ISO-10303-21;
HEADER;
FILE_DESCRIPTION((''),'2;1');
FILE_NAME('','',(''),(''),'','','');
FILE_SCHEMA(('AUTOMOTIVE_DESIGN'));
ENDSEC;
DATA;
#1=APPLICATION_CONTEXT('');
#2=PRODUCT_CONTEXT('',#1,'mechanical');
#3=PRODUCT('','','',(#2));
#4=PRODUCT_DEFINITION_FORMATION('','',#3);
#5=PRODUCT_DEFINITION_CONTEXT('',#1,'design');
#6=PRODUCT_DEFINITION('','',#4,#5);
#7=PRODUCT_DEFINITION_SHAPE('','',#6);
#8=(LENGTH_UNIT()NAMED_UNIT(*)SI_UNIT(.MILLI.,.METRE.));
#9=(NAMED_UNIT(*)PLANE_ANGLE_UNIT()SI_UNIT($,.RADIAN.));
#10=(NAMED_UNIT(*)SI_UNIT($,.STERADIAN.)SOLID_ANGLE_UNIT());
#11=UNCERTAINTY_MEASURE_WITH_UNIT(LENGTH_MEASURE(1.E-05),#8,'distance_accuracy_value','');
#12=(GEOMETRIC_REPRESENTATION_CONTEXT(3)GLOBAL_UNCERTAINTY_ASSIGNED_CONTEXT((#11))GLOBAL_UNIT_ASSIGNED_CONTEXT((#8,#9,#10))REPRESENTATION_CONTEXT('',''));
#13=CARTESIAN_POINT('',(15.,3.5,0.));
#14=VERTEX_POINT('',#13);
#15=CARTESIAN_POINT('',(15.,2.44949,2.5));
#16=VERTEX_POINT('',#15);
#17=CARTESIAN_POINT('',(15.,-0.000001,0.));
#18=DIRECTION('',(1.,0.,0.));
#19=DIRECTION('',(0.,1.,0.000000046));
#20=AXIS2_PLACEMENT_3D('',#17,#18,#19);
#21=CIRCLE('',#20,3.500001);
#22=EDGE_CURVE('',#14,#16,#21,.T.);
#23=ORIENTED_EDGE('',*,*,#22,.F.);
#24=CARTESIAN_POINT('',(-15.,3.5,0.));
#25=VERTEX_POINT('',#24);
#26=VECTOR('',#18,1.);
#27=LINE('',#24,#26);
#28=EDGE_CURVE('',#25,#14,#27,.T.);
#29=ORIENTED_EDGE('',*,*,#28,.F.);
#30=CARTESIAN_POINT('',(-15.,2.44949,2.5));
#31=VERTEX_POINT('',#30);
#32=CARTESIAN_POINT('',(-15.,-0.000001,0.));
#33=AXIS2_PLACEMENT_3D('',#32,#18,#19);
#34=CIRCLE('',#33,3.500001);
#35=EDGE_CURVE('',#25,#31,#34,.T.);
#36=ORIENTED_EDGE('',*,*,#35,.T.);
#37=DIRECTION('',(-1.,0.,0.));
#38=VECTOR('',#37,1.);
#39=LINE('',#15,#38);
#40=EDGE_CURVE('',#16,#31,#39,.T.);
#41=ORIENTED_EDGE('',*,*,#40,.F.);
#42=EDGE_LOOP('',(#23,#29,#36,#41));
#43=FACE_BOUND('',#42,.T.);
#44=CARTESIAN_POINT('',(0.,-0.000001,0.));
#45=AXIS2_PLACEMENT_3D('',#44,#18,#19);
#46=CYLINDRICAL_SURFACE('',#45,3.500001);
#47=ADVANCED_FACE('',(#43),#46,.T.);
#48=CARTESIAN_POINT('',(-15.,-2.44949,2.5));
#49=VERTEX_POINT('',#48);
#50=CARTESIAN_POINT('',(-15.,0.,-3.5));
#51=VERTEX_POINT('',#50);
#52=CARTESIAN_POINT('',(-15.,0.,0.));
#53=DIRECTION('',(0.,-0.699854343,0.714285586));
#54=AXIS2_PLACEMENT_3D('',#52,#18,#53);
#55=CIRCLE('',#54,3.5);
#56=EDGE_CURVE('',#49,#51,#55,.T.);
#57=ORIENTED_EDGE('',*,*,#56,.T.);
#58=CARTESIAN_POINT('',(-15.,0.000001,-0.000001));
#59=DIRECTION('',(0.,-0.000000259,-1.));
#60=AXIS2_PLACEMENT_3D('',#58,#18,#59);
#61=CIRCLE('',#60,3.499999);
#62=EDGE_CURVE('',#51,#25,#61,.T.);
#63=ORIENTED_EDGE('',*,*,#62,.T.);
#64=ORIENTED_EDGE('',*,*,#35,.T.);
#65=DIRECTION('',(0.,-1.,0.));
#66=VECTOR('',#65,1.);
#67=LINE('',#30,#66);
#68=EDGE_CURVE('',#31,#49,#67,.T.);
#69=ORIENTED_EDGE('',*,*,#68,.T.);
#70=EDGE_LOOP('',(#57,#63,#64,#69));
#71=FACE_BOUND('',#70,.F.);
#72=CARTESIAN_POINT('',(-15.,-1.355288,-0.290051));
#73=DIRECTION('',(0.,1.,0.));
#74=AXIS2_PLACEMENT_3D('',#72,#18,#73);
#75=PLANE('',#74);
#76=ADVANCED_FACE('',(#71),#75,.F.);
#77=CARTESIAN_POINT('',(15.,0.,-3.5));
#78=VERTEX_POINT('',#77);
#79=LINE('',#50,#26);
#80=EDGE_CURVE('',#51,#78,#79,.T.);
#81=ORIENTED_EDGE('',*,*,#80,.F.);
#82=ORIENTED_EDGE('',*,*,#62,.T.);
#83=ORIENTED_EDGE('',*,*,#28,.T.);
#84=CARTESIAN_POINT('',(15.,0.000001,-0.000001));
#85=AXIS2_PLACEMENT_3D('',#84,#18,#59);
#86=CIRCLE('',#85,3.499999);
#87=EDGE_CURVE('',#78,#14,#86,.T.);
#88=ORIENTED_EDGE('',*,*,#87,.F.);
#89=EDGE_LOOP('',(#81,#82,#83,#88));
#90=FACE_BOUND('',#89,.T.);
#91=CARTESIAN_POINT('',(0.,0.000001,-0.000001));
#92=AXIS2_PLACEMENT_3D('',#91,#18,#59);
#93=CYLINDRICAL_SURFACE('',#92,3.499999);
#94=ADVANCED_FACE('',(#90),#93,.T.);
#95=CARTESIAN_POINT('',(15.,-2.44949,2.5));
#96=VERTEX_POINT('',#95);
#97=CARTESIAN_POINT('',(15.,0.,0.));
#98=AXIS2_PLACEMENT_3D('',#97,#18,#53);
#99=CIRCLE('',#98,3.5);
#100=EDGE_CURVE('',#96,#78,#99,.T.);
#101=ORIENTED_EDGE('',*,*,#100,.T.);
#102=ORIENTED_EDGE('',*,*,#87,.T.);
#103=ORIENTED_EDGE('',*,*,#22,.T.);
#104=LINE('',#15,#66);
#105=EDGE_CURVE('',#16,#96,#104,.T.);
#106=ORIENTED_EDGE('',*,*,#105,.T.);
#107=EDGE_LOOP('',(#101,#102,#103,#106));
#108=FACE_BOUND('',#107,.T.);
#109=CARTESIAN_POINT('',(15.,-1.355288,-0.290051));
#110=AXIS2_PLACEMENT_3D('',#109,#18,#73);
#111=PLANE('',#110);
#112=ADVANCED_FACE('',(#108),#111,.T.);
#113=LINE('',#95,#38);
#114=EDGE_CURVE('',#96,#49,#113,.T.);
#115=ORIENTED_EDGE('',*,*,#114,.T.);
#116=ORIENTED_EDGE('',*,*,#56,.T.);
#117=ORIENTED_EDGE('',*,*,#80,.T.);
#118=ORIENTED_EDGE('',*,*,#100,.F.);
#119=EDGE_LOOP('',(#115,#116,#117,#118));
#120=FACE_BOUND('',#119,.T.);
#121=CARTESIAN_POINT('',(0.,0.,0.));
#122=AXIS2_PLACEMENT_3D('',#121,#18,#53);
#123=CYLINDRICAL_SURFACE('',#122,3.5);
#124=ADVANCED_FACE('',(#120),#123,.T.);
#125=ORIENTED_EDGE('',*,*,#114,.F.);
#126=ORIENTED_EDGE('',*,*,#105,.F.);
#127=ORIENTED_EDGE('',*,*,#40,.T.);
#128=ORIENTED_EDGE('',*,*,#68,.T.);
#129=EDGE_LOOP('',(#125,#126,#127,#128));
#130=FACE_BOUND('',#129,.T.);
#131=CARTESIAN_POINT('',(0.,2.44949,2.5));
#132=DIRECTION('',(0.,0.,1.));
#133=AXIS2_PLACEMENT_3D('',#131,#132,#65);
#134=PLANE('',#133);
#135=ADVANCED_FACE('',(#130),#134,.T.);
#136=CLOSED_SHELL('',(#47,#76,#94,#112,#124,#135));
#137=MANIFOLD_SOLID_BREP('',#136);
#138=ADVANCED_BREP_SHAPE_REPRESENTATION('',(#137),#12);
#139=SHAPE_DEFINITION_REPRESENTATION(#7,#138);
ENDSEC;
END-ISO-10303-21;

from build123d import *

# Parameters (mm, degrees)
F1_DEPTH = 15


with BuildPart() as f1:
    # F0 (on Right) → F1 (new body, symmetric)
    with BuildSketch(Plane.YZ):
        with BuildLine():
            ThreePointArc((-2.44949, 2.5), (-3.24037, -1.322876), (0, -3.5))
            Line((0, -3.5), (0, 0))
            Line((0, 0), (0, 2.5))
            Line((0, 2.5), (-2.44949, 2.5))
        make_face()
        with BuildLine():
            ThreePointArc((0, -3.5), (2.474874, -2.474874), (3.5, 0))
            ThreePointArc((3.5, 0), (3.226702, 1.355874), (2.44949, 2.5))
            Line((2.44949, 2.5), (0, 2.5))
            Line((0, 2.5), (0, 0))
            Line((0, 0), (0, -3.5))
        make_face()
    extrude(amount=F1_DEPTH, both=True)


solid = f1.part
